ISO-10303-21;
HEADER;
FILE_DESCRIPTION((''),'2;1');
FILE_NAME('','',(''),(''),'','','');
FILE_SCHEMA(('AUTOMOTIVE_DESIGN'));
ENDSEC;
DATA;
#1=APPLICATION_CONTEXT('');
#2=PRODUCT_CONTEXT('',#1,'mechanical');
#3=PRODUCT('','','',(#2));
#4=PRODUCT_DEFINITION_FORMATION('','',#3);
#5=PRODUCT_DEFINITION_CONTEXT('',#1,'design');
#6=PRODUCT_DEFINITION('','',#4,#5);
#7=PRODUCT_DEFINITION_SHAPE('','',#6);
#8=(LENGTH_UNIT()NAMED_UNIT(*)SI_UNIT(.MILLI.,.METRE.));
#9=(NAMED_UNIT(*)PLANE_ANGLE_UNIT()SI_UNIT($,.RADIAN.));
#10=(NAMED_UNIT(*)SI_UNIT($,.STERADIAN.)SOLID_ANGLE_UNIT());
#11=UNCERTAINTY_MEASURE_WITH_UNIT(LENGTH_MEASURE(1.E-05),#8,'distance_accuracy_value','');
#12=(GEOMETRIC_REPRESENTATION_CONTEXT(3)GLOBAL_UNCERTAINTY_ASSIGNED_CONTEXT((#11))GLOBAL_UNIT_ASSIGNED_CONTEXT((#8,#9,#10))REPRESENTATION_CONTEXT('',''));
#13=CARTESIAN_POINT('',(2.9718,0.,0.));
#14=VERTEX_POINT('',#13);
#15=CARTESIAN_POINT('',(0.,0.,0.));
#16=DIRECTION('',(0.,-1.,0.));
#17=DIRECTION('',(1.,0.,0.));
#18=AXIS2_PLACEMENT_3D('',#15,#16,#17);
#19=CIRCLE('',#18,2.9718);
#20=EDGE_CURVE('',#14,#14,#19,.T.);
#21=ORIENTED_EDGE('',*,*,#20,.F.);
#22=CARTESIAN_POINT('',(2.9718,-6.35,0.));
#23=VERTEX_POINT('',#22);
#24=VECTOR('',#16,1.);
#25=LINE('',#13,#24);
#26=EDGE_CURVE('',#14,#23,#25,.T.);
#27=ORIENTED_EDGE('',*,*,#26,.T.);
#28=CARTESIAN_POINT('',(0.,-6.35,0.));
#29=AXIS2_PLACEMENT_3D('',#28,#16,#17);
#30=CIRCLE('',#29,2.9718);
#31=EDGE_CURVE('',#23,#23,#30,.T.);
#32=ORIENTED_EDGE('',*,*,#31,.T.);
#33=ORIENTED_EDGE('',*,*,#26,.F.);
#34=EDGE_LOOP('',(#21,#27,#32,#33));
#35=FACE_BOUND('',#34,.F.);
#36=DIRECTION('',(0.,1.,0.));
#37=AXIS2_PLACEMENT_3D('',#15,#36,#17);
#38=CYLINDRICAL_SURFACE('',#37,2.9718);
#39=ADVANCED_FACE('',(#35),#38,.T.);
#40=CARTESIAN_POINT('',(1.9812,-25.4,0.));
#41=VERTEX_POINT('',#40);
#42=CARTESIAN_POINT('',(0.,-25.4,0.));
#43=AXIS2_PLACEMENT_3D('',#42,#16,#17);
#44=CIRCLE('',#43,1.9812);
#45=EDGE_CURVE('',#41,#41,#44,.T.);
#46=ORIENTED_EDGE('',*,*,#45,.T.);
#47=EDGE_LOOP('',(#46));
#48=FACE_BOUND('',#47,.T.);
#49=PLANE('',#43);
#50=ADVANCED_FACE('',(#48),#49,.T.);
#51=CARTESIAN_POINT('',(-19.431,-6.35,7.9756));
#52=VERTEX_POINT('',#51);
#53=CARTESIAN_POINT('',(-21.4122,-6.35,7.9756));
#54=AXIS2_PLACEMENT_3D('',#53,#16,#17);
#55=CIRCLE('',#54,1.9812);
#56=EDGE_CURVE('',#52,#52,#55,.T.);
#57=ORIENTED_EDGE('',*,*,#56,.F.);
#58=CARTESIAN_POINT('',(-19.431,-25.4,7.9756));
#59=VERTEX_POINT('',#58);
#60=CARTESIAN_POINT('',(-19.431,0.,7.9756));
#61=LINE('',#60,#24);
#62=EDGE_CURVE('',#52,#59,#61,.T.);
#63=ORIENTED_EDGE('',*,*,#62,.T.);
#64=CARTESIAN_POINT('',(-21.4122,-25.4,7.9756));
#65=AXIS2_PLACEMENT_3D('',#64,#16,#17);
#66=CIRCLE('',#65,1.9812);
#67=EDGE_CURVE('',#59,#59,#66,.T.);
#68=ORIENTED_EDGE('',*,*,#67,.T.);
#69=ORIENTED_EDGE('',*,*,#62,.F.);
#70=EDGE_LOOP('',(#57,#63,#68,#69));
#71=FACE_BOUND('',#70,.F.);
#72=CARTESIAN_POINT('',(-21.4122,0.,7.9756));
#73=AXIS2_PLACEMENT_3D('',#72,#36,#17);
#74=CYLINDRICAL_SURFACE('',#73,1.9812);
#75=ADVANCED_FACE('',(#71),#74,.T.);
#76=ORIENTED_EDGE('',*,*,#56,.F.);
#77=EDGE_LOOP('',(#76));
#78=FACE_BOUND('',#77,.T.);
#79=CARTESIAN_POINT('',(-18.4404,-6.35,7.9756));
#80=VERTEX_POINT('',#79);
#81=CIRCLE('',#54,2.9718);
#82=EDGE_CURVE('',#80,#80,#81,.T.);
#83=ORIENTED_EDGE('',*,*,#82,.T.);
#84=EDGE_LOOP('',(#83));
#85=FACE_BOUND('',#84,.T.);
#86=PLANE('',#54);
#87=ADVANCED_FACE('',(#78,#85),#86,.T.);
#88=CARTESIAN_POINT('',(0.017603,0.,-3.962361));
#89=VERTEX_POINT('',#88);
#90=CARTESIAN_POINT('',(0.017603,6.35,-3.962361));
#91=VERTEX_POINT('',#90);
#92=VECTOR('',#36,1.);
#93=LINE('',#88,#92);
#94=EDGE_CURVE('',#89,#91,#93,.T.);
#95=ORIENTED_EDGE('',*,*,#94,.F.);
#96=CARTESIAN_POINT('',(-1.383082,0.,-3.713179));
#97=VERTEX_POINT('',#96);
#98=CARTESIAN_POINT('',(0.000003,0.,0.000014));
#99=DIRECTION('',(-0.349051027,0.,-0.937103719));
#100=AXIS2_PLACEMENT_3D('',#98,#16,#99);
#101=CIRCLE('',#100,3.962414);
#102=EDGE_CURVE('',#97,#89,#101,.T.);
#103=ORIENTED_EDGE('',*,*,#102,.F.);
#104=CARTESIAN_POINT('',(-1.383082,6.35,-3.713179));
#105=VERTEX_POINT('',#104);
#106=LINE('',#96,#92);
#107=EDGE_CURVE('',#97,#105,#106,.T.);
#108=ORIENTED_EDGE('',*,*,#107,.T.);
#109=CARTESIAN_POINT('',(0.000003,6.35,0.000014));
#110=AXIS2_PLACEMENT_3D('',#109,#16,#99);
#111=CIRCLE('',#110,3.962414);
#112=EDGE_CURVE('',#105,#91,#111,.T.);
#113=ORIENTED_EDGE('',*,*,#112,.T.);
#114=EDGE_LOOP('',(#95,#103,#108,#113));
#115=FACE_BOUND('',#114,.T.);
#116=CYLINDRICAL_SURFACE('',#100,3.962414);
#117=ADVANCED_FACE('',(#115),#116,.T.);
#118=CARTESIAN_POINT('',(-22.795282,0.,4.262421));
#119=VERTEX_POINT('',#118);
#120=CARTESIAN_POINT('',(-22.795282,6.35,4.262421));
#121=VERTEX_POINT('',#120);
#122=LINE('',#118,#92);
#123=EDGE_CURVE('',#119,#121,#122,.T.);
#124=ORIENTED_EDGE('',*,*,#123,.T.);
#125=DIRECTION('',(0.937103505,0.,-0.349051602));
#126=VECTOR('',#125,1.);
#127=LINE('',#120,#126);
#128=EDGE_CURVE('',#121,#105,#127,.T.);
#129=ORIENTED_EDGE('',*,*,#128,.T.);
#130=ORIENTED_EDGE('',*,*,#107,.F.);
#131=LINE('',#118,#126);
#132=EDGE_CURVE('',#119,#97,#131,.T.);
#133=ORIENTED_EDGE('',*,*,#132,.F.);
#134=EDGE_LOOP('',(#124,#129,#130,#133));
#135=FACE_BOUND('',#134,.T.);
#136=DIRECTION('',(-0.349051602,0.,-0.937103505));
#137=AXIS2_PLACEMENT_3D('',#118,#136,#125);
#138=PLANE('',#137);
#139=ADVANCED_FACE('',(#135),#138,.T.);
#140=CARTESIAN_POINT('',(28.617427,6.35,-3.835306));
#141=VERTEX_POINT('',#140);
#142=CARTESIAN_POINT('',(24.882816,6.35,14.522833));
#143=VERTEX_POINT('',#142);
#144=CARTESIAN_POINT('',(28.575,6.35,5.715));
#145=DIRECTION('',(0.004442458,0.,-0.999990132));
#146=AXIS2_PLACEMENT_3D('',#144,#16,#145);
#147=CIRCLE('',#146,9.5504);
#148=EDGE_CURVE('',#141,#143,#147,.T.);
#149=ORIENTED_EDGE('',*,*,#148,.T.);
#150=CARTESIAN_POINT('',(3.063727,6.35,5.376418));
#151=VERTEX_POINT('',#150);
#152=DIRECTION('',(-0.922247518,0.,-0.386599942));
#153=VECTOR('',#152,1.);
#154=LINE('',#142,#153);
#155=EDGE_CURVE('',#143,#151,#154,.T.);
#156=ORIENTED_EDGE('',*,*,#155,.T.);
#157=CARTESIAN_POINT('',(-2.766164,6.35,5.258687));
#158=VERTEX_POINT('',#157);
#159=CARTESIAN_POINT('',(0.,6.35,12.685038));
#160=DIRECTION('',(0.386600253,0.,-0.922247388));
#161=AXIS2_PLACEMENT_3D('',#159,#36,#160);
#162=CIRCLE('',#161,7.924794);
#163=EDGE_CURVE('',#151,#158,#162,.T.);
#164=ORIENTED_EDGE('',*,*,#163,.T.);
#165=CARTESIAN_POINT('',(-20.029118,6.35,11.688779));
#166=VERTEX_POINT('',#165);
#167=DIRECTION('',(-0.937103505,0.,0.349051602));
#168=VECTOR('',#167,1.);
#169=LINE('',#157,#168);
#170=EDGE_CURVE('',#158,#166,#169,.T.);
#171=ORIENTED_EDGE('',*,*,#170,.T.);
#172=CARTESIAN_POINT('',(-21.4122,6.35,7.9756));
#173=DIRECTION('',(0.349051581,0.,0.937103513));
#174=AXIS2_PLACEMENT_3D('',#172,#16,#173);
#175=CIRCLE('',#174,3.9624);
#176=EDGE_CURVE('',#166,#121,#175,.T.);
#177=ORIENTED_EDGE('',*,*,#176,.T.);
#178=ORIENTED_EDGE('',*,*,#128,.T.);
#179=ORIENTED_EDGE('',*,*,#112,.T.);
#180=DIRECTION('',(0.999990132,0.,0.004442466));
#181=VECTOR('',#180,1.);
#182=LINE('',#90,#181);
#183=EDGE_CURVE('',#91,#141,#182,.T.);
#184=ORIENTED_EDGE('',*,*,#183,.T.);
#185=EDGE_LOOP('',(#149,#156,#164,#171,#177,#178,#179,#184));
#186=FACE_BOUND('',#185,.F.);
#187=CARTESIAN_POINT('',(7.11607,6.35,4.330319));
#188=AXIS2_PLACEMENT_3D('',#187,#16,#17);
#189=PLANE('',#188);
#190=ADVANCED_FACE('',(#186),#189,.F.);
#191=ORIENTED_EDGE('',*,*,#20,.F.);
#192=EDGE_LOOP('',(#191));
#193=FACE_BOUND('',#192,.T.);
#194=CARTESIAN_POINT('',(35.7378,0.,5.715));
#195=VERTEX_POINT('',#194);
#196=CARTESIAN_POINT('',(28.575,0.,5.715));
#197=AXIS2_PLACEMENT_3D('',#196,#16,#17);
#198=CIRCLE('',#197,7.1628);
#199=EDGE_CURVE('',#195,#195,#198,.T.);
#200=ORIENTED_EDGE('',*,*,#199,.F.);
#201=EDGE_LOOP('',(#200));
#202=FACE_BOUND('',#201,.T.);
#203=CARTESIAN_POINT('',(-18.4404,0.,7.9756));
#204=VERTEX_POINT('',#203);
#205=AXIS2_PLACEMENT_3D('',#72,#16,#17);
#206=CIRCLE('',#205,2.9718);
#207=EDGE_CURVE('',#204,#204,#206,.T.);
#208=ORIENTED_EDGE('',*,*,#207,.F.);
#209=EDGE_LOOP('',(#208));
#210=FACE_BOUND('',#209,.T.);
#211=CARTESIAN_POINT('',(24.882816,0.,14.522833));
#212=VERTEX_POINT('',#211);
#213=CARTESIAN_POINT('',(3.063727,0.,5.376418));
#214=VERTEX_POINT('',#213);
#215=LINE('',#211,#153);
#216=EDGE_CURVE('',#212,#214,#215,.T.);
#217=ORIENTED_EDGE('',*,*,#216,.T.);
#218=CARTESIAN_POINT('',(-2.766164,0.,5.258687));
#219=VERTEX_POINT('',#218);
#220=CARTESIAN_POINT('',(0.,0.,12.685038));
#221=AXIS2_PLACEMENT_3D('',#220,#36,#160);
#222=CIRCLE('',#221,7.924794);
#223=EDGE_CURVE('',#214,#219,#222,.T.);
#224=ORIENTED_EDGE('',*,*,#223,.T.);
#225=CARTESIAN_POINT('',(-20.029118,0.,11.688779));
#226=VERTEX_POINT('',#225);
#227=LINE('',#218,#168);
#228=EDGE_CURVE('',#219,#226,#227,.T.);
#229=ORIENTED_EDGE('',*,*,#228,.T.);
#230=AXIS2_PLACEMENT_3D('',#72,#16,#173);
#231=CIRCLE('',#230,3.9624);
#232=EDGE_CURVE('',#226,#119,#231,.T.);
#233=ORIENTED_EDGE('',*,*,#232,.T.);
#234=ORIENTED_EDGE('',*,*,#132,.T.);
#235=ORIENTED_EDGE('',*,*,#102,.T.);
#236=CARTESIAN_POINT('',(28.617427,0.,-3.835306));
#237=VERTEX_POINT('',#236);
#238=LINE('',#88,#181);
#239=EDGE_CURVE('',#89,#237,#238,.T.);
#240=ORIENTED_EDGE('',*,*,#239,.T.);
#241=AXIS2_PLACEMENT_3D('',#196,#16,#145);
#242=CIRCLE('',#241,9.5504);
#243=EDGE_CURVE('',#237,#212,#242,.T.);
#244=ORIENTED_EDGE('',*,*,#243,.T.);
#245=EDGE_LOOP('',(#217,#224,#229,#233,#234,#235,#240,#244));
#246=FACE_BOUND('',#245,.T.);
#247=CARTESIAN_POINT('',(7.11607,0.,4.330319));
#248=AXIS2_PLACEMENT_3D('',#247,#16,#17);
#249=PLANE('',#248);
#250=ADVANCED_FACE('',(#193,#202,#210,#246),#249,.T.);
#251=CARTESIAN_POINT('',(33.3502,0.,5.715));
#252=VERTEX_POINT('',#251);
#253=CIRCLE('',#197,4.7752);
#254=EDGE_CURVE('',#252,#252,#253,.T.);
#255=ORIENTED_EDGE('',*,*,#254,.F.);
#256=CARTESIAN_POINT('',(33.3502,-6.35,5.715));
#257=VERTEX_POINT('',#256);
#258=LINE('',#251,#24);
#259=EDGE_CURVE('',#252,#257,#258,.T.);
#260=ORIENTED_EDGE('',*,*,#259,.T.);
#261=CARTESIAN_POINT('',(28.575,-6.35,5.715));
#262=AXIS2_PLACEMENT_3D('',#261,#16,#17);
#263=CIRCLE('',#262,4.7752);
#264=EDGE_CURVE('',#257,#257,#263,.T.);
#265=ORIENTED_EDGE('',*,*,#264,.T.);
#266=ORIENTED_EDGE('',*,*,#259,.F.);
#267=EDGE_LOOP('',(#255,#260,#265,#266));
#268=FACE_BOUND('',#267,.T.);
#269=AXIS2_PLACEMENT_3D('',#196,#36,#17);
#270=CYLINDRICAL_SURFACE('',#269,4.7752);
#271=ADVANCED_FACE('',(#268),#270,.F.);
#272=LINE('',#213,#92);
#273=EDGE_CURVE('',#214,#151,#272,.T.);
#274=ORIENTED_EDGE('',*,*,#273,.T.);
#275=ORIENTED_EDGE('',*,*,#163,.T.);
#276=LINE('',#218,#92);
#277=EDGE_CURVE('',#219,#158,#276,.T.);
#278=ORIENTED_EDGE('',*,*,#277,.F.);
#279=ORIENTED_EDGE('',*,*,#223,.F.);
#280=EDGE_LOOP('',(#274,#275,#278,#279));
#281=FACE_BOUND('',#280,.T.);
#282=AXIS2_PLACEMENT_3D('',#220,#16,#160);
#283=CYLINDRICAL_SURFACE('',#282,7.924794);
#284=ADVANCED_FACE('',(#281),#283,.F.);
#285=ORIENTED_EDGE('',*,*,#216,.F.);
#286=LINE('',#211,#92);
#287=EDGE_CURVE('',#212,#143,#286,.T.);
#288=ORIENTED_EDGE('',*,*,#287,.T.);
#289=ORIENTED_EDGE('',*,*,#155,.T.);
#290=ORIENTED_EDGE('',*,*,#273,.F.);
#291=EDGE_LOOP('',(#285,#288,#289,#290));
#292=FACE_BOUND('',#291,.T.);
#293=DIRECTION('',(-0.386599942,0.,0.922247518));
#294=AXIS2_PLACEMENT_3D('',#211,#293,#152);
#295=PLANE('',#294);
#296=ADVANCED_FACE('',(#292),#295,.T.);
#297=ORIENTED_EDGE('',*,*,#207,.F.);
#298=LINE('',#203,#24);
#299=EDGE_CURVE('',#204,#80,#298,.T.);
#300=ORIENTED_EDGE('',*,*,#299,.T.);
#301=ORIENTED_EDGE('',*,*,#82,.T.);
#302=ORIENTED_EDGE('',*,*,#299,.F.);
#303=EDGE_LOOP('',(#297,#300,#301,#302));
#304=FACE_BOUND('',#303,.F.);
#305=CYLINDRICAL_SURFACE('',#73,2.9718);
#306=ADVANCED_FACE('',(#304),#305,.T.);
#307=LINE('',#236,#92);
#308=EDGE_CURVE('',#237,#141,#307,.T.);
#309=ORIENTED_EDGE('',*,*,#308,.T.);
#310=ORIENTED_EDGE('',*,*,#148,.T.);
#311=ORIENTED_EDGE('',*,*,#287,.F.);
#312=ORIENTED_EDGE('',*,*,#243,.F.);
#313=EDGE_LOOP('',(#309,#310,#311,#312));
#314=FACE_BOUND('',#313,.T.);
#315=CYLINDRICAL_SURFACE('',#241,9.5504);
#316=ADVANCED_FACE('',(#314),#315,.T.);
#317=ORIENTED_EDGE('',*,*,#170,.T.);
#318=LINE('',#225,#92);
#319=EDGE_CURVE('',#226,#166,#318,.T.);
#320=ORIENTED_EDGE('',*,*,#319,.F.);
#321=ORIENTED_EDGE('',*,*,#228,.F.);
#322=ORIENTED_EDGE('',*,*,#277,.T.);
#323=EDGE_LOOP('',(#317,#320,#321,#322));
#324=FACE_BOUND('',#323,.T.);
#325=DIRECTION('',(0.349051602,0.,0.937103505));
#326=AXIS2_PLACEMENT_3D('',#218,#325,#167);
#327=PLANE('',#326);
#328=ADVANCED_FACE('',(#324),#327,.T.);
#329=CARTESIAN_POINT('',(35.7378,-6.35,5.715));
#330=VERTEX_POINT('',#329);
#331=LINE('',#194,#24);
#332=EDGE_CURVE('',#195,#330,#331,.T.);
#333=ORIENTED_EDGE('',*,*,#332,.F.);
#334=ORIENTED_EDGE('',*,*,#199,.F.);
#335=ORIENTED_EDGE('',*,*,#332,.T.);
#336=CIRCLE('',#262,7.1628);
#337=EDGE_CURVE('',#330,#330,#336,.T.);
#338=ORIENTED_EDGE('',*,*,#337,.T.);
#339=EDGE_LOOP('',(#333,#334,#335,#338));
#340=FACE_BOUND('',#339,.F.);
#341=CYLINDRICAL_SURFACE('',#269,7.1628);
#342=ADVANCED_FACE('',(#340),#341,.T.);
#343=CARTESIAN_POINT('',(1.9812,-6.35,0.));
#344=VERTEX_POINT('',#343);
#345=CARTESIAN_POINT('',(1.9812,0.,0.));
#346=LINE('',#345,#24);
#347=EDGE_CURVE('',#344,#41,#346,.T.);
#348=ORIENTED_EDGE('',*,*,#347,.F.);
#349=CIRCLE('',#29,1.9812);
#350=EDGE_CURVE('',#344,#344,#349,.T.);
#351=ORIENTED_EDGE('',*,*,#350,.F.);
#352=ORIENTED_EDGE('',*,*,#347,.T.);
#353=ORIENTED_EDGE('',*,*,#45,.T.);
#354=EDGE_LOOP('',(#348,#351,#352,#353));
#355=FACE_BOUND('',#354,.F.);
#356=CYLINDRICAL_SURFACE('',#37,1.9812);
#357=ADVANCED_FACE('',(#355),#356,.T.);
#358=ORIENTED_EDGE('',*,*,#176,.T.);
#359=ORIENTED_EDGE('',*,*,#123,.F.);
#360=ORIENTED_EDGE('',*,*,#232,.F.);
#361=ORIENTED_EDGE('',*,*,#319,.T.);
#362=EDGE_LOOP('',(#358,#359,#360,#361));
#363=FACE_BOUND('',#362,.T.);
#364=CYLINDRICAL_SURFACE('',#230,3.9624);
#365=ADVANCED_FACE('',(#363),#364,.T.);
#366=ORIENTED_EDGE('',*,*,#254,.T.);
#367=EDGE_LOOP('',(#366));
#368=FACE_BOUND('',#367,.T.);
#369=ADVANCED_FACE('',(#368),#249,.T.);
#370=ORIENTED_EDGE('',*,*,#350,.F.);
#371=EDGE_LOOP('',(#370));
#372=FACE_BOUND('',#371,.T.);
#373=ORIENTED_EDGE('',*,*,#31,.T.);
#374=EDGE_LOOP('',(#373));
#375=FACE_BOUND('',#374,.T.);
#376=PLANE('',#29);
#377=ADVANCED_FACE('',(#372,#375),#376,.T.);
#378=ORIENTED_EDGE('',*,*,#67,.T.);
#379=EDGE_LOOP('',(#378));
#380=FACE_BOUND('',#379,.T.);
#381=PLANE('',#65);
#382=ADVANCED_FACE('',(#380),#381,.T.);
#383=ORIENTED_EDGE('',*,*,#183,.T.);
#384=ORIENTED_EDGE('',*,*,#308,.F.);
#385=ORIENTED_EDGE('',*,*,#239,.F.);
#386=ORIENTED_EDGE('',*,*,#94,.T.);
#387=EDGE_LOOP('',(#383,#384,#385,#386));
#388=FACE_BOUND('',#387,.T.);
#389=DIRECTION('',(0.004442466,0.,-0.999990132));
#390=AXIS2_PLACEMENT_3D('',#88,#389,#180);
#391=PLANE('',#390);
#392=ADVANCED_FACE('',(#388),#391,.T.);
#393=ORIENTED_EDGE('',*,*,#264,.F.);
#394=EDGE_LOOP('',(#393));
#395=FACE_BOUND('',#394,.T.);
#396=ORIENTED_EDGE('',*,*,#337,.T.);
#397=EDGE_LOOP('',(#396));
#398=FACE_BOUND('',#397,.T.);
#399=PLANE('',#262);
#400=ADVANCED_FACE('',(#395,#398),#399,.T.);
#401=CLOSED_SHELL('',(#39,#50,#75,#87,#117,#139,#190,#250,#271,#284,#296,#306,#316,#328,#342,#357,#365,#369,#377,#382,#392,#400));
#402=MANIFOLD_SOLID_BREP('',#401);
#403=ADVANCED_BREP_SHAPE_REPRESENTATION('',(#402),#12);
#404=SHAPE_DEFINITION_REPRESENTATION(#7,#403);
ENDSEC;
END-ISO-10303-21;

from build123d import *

# Parameters (mm, degrees)
F0_R     = 2.9718
F0_R_2   = 7.1628
F0_R_3   = 1.9812
F0_R_4   = 4.7752
F1_DEPTH = 6.35
F2_DEPTH = 6.35
F3_DEPTH = 25.4


with BuildPart() as f1:
    # F0 (on Front) → F1 (new body)
    with BuildSketch(Plane.XZ):
        with BuildLine():
            Line((-2.766164, 5.258687), (-20.029118, 11.688779))
            ThreePointArc((-20.029118, 11.688779), (-25.125379, 9.358682), (-22.795282, 4.262421))
            Line((-22.795282, 4.262421), (-1.383082, -3.713179))
            ThreePointArc((-1.383082, -3.713179), (-0.694015, -3.901148), (0.017603, -3.962361))
            Line((0.017603, -3.962361), (28.617427, -3.835306))
            ThreePointArc((28.617427, -3.835306), (37.933712, 7.618851), (24.882816, 14.522833))
            Line((24.882816, 14.522833), (3.063727, 5.376418))
            ThreePointArc((3.063727, 5.376418), (0.160003, 4.76186), (-2.766164, 5.258687))
        make_face()
        Circle(F0_R, mode=Mode.SUBTRACT)
        with Locations((-21.4122, 7.9756)):
            Circle(F0_R, mode=Mode.SUBTRACT)
        with Locations((28.575, 5.715)):
            Circle(F0_R_2, mode=Mode.SUBTRACT)
        with Locations((-21.4122, 7.9756)):
            Circle(F0_R)
        with Locations((-21.4122, 7.9756)):
            Circle(F0_R_3, mode=Mode.SUBTRACT)
        with Locations((-21.4122, 7.9756)):
            Circle(F0_R_3)
        Circle(F0_R)
        Circle(F0_R_3, mode=Mode.SUBTRACT)
        Circle(F0_R_3)
        with Locations((28.575, 5.715)):
            Circle(F0_R_2)
        with Locations((28.575, 5.715)):
            Circle(F0_R_4, mode=Mode.SUBTRACT)
        with Locations((28.575, 5.715)):
            Circle(F0_R_4)
    extrude(amount=-F1_DEPTH)

    # F0 (on Front) → F2 (join)
    with BuildSketch(Plane.XZ):
        with Locations((-21.4122, 7.9756)):
            Circle(F0_R)
        with Locations((-21.4122, 7.9756)):
            Circle(F0_R_3, mode=Mode.SUBTRACT)
        Circle(F0_R)
        Circle(F0_R_3, mode=Mode.SUBTRACT)
        with Locations((28.575, 5.715)):
            Circle(F0_R_2)
        with Locations((28.575, 5.715)):
            Circle(F0_R_4, mode=Mode.SUBTRACT)
    extrude(amount=F2_DEPTH)

    # F0 (on Front) → F3 (join)
    with BuildSketch(Plane.XZ):
        with Locations((-21.4122, 7.9756)):
            Circle(F0_R_3)
        Circle(F0_R_3)
    extrude(amount=F3_DEPTH)


solid = f1.part
